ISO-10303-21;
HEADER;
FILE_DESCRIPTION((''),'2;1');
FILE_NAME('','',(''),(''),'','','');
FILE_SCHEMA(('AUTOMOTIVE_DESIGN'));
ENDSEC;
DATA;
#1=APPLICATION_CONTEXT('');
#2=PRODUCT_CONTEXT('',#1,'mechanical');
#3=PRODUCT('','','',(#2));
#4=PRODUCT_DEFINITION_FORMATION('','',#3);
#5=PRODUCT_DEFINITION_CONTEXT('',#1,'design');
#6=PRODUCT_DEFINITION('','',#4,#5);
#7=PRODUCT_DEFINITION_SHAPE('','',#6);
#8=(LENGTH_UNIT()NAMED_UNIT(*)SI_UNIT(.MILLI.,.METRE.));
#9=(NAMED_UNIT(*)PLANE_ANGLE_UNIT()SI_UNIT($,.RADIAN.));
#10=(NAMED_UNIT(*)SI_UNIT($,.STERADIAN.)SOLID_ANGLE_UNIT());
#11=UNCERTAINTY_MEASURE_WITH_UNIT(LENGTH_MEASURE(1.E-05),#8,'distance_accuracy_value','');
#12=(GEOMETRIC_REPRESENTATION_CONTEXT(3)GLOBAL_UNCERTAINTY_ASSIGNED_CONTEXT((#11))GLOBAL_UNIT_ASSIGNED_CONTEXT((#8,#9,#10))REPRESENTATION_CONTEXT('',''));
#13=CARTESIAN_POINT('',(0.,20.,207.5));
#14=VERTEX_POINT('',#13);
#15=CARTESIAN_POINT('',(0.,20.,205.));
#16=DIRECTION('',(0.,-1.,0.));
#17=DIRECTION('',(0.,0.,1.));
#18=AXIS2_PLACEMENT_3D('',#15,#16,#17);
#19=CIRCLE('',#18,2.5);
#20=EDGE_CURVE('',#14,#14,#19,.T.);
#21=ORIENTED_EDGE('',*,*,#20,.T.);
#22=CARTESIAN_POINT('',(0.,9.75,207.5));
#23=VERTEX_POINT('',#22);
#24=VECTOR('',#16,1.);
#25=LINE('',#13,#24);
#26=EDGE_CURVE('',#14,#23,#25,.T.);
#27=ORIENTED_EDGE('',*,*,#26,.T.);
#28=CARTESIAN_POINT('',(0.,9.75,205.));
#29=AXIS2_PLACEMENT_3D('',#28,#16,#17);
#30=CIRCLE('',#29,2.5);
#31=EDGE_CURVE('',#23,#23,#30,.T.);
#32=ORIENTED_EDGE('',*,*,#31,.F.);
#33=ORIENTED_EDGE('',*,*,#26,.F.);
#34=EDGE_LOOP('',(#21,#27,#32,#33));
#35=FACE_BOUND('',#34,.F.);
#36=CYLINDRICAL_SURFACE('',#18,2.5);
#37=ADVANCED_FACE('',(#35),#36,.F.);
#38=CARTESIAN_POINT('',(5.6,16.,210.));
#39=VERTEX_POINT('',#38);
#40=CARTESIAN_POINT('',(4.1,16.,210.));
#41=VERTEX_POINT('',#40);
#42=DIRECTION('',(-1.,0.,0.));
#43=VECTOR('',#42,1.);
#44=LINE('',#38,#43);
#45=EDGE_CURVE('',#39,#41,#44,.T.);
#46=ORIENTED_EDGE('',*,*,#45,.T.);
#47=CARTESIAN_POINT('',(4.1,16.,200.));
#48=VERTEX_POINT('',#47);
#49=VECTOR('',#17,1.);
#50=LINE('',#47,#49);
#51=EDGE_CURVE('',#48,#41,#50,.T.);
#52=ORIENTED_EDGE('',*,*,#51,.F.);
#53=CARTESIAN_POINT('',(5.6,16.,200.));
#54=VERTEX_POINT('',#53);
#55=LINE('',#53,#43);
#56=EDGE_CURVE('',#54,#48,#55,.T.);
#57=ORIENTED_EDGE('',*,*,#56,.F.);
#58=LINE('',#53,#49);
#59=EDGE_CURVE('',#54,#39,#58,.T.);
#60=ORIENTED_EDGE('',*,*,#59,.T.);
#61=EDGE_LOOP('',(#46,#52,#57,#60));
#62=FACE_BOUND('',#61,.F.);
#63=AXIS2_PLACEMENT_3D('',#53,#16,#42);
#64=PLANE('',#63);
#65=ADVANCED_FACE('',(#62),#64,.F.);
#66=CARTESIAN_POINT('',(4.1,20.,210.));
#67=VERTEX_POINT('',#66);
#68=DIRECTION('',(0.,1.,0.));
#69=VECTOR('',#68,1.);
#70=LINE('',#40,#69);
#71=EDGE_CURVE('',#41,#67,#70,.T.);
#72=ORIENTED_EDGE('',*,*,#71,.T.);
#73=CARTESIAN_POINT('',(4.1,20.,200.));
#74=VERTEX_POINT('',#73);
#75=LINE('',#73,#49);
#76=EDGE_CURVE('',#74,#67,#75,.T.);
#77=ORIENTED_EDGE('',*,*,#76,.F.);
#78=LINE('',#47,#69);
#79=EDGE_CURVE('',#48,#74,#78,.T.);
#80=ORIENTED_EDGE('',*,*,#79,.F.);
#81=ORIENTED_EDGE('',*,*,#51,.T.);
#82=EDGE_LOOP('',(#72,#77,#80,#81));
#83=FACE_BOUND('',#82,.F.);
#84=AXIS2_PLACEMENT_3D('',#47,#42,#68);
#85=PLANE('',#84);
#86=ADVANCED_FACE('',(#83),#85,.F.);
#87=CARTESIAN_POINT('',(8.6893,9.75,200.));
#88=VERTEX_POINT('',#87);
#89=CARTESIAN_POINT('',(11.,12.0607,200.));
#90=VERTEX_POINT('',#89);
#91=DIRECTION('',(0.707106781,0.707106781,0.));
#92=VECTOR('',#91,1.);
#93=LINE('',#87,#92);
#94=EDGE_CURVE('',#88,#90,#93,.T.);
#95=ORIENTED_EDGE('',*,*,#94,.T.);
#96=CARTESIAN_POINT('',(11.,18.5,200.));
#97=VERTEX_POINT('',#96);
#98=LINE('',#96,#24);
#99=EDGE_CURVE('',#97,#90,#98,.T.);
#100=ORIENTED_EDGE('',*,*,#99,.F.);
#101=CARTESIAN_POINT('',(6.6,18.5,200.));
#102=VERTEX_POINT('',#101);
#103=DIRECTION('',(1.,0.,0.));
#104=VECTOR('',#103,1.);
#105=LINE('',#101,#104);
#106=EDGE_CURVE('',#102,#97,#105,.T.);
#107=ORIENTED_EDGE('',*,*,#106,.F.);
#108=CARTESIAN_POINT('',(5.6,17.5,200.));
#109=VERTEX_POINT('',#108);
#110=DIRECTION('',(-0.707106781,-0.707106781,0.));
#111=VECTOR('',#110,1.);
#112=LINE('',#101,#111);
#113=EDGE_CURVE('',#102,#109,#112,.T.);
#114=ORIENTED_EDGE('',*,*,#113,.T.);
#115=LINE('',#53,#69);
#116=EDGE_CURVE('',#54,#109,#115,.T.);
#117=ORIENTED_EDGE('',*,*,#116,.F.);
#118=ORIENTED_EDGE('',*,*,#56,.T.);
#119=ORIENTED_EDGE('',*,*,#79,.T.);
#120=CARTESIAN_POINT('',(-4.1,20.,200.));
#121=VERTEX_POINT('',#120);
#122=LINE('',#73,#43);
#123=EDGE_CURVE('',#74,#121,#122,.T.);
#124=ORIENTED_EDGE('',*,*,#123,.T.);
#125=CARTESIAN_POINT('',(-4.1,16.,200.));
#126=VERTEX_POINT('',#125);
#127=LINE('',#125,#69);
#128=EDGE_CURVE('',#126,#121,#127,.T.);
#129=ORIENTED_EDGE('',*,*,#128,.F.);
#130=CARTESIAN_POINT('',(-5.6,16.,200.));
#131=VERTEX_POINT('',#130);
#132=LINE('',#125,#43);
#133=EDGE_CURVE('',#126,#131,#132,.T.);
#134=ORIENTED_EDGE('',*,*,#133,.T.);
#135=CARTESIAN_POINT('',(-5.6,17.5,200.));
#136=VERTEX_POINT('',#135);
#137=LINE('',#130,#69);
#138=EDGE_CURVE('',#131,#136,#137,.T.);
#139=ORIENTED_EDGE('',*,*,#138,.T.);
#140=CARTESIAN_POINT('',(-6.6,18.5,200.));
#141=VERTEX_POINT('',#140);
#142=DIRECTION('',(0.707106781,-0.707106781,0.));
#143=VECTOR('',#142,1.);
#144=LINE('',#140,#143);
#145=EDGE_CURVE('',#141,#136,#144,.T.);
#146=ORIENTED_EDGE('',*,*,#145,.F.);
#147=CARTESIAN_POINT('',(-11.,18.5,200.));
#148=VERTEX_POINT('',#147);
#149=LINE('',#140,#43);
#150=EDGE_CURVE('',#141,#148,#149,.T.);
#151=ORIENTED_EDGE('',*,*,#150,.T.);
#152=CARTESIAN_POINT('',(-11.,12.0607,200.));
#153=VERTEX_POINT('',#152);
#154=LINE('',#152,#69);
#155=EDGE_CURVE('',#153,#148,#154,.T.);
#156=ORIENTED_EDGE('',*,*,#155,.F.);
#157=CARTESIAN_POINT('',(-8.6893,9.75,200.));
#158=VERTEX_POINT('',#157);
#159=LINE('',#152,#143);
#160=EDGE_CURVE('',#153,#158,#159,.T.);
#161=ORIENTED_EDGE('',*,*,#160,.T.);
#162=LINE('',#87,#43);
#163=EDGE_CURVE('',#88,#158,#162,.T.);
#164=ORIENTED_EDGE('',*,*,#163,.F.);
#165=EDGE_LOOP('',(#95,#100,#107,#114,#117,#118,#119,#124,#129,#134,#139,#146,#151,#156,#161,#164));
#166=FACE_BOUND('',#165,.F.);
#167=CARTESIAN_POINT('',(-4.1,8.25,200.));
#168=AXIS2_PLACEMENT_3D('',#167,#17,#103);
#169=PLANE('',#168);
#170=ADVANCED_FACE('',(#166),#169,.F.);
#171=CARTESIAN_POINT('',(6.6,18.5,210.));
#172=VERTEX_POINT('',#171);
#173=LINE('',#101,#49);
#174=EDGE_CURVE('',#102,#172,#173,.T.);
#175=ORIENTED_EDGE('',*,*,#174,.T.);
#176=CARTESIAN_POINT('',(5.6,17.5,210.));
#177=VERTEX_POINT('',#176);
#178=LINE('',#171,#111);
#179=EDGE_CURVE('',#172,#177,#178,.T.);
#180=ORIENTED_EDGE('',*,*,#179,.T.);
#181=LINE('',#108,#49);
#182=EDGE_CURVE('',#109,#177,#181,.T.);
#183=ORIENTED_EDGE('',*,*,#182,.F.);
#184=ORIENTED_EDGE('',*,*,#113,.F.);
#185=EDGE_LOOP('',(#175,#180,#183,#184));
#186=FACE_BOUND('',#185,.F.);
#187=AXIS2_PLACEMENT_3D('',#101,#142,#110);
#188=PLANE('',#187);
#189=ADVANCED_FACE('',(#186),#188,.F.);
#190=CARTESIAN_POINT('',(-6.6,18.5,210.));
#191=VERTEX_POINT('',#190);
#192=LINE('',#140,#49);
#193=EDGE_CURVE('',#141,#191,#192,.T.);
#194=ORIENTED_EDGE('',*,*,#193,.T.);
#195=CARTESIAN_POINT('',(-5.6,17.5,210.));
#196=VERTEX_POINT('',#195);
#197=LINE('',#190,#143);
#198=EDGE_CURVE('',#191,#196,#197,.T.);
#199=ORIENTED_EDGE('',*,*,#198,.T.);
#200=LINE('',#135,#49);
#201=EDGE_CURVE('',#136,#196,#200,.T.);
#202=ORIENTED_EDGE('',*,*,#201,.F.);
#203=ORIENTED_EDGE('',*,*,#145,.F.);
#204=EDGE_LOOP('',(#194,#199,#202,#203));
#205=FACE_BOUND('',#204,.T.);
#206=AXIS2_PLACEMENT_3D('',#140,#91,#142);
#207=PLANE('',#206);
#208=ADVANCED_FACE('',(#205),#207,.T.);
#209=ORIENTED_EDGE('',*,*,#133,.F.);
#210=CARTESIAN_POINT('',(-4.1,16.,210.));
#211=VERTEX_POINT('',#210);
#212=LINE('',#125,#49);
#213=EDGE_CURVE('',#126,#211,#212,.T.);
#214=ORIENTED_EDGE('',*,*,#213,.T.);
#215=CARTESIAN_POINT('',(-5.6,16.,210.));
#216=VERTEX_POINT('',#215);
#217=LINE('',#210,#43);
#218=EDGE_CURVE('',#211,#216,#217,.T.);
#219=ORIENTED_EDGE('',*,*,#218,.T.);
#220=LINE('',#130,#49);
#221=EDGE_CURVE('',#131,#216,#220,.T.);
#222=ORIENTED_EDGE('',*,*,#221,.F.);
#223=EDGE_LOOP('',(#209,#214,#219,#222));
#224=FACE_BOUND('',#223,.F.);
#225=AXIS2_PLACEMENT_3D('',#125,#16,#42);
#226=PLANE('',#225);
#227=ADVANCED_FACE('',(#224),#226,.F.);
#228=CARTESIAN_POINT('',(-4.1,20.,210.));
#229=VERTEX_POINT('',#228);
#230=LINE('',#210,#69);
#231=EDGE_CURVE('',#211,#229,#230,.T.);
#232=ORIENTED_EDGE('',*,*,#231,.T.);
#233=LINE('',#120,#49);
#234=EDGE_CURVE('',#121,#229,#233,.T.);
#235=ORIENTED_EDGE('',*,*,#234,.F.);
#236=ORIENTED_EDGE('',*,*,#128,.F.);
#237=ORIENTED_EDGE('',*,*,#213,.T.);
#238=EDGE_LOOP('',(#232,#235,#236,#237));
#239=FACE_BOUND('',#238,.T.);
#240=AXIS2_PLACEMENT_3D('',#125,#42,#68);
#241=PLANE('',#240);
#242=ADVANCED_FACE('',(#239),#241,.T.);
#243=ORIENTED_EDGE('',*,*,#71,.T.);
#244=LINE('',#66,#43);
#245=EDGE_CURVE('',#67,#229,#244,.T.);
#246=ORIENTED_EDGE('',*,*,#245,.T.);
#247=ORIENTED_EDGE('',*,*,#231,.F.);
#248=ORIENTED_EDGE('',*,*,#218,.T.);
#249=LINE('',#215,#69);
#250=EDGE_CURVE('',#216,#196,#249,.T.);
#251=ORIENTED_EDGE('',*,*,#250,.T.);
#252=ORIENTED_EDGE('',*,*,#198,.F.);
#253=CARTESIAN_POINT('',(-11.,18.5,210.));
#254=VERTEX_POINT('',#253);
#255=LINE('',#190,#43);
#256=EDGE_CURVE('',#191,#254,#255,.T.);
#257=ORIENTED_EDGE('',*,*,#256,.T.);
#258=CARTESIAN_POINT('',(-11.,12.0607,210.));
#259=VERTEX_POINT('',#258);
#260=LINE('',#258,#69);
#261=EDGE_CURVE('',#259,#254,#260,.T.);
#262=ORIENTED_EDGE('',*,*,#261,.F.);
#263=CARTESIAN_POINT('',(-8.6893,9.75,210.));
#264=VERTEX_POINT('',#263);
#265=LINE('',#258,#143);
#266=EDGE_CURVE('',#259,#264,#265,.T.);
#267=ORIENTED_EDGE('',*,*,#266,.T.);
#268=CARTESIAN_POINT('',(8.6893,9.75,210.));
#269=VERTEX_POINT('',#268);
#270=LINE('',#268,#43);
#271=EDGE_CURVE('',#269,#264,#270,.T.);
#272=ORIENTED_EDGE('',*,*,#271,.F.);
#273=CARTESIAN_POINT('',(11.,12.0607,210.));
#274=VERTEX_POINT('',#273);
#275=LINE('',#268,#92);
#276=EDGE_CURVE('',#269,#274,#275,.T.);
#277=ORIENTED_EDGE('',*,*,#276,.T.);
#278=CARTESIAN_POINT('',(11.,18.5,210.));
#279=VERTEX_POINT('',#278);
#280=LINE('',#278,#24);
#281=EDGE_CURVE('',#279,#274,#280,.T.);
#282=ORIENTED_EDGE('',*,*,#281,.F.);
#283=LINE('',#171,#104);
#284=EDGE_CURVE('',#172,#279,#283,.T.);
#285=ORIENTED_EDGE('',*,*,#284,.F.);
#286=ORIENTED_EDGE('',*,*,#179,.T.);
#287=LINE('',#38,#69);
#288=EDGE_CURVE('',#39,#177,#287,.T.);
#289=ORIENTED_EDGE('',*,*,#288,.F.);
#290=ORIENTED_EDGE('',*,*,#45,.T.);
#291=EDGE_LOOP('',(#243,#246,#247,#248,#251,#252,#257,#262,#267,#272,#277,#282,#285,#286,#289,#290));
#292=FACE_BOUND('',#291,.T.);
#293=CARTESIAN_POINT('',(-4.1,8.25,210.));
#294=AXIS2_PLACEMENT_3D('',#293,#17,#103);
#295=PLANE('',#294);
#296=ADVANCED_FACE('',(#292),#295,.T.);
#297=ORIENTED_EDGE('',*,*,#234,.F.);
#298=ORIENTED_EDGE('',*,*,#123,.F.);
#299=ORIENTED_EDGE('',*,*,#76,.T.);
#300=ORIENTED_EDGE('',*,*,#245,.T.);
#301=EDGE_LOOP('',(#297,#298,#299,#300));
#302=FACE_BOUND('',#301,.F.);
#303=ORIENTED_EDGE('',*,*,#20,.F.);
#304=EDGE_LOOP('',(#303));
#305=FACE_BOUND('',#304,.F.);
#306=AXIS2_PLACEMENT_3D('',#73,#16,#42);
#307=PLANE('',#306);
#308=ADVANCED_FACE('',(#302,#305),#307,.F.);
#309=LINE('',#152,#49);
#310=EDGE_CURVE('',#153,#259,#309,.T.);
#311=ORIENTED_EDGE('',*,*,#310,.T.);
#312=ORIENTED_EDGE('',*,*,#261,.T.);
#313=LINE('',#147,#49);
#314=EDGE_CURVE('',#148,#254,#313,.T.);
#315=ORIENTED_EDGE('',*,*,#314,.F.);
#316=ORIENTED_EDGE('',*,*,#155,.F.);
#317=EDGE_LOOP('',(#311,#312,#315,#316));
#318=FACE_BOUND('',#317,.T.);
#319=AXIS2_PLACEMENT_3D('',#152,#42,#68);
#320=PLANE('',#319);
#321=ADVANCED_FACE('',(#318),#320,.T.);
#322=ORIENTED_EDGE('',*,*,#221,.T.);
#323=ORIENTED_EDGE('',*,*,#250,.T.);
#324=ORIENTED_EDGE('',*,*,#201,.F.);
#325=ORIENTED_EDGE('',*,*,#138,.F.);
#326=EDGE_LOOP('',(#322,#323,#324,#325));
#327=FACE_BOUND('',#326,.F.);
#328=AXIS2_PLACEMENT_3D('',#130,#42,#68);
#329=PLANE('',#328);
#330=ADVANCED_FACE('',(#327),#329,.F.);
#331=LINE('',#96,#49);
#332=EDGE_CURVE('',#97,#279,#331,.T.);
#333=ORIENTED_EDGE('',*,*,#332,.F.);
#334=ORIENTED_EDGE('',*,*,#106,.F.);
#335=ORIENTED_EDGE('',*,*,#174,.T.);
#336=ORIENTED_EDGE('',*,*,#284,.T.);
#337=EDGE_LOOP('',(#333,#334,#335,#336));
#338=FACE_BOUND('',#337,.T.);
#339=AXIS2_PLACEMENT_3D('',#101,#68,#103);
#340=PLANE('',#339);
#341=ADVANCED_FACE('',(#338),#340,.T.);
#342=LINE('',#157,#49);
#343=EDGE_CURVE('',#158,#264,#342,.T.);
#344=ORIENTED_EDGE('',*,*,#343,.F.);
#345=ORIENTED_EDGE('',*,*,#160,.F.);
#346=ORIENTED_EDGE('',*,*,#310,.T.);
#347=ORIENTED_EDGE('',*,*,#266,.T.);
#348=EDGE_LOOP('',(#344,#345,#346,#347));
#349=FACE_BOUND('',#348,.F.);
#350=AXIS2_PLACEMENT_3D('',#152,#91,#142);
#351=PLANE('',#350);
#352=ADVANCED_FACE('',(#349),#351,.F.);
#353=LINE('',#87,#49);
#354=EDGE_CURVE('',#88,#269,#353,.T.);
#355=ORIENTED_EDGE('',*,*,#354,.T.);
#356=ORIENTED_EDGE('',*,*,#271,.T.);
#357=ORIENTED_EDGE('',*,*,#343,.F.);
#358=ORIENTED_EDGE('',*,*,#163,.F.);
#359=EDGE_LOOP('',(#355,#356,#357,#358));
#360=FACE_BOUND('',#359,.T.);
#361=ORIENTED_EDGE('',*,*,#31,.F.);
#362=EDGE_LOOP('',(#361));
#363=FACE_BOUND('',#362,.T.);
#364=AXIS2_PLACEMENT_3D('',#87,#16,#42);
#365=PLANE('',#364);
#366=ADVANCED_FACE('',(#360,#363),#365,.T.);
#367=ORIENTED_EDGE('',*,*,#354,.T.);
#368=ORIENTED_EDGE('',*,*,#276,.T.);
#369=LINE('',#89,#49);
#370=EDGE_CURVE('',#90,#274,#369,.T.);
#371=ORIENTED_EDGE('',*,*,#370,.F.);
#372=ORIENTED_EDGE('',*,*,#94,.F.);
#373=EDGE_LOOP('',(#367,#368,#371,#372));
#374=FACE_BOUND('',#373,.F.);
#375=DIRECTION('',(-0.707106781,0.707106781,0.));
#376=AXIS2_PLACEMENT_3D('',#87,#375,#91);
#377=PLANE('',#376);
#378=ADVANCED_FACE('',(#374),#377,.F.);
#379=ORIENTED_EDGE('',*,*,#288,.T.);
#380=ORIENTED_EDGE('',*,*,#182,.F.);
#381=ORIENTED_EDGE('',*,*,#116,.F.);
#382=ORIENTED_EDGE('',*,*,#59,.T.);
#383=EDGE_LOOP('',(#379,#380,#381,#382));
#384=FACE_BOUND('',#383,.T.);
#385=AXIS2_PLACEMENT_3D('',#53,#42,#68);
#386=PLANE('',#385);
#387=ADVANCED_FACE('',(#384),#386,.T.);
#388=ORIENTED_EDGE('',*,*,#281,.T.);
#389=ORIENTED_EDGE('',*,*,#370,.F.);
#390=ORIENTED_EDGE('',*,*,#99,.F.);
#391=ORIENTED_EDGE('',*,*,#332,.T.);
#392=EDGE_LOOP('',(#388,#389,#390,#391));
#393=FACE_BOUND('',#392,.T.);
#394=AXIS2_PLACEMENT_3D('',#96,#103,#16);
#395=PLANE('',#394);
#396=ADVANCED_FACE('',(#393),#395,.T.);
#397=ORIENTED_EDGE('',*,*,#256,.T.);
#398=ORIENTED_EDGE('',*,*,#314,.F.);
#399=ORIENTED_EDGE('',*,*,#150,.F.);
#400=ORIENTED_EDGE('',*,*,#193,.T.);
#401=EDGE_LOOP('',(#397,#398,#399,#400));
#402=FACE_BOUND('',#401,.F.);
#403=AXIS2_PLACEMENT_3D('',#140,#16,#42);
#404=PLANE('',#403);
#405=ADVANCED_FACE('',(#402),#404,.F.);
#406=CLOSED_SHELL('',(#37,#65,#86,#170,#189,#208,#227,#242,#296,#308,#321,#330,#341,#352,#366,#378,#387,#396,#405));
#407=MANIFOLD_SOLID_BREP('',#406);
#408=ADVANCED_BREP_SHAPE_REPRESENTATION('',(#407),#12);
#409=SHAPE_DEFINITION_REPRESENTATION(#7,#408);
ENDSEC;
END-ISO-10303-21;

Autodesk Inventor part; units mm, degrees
ref_plane "YZ Plane" through (0, 0, 0) normal (1, 0, 0) x (0, 1, 0)
ref_plane "XZ Plane" through (0, 0, 0) normal (0, 1, 0) x (-1, 0, 0)
ref_plane "XY Plane" through (0, 0, 0) normal (0, 0, 1) x (1, 0, 0)
ref_plane "Plano de trabalho2" through (-4.1, 8.25, 200) normal (0, 0, 1) x (1, 0, 0)
sketch "Esboço2" plane through (-4.1, 8.25, 200) normal (0, 0, 1) x (1, 0, 0)
  line L0 (-6.9, 3.8107) -> (-6.9, 10.25) projected
  line L1 (-6.9, 10.25) -> (-6.9, 3.8107)
  line L2 (12.7893, 1.5) -> (-4.5893, 1.5) projected
  line L3 (-6.9, 3.8107) -> (-4.5893, 1.5)
  line L4 (-4.5893, 1.5) -> (12.7893, 1.5)
  line L5 (12.7893, 1.5) -> (15.1, 3.8107)
  line L6 (15.1, 10.25) -> (15.1, 3.8107) projected
  line L7 (15.1, 3.8107) -> (15.1, 10.25)
  line L8 (10.7, 10.25) -> (15.1, 10.25) projected
  line L9 (15.1, 10.25) -> (10.7, 10.25)
  line L10 (9.7, 7.75) -> (9.7, 9.25) projected
  line L11 (10.7, 10.25) -> (9.7, 9.25)
  line L12 (9.7, 9.25) -> (9.7, 7.75)
  line L13 (9.7, 7.75) -> (8.2, 7.75)
  line L14 (15.1, 11.75) -> (8.2, 11.75) projected
  line L15 (8.2, 7.75) -> (8.2, 11.75)
  line L16 (0, 7.75) -> (0, 11.75) projected
  line L17 (8.2, 11.75) -> (0, 11.75)
  line L18 (0, 11.75) -> (0, 7.75)
  line L19 (0, 7.75) -> (-1.5, 7.75)
  line L20 (-2.5, 10.25) -> (-1.5, 9.25) projected
  line L21 (-1.5, 7.75) -> (-1.5, 9.25)
  line L22 (-1.5, 9.25) -> (-2.5, 10.25)
  line L23 (-2.5, 10.25) -> (-6.9, 10.25)
  point P0 (4.1, -8.25)
extrude "Extrusão1" add sketch "Esboço2" along normal blind 10
ref_plane "Plano de trabalho5" through (-4.1, 20, 200) normal (0, 1, 0) x (1, 0, 0)
sketch "Esboço3" plane through (-4.1, 20, 200) normal (0, 1, 0) x (1, 0, 0)
  circle A0 centre (4.1, -5) radius 2.5
  line L0 (19.5, 0) -> (-11.3, 0) projected
  line L1 (15.1, 0) -> (15.1, -10) projected
  point P0 (4.1, 200)
  dimension "d2" = 5
  dimension "d3" = 5
  dimension "d4" = 11
hole "Furo1" at (0, 20, 205) direction (0, -1, 0) diameter 5 depth 20 tip angle 118
properties part number "Pecinha do perfil_CPY" material "Alumínio"
